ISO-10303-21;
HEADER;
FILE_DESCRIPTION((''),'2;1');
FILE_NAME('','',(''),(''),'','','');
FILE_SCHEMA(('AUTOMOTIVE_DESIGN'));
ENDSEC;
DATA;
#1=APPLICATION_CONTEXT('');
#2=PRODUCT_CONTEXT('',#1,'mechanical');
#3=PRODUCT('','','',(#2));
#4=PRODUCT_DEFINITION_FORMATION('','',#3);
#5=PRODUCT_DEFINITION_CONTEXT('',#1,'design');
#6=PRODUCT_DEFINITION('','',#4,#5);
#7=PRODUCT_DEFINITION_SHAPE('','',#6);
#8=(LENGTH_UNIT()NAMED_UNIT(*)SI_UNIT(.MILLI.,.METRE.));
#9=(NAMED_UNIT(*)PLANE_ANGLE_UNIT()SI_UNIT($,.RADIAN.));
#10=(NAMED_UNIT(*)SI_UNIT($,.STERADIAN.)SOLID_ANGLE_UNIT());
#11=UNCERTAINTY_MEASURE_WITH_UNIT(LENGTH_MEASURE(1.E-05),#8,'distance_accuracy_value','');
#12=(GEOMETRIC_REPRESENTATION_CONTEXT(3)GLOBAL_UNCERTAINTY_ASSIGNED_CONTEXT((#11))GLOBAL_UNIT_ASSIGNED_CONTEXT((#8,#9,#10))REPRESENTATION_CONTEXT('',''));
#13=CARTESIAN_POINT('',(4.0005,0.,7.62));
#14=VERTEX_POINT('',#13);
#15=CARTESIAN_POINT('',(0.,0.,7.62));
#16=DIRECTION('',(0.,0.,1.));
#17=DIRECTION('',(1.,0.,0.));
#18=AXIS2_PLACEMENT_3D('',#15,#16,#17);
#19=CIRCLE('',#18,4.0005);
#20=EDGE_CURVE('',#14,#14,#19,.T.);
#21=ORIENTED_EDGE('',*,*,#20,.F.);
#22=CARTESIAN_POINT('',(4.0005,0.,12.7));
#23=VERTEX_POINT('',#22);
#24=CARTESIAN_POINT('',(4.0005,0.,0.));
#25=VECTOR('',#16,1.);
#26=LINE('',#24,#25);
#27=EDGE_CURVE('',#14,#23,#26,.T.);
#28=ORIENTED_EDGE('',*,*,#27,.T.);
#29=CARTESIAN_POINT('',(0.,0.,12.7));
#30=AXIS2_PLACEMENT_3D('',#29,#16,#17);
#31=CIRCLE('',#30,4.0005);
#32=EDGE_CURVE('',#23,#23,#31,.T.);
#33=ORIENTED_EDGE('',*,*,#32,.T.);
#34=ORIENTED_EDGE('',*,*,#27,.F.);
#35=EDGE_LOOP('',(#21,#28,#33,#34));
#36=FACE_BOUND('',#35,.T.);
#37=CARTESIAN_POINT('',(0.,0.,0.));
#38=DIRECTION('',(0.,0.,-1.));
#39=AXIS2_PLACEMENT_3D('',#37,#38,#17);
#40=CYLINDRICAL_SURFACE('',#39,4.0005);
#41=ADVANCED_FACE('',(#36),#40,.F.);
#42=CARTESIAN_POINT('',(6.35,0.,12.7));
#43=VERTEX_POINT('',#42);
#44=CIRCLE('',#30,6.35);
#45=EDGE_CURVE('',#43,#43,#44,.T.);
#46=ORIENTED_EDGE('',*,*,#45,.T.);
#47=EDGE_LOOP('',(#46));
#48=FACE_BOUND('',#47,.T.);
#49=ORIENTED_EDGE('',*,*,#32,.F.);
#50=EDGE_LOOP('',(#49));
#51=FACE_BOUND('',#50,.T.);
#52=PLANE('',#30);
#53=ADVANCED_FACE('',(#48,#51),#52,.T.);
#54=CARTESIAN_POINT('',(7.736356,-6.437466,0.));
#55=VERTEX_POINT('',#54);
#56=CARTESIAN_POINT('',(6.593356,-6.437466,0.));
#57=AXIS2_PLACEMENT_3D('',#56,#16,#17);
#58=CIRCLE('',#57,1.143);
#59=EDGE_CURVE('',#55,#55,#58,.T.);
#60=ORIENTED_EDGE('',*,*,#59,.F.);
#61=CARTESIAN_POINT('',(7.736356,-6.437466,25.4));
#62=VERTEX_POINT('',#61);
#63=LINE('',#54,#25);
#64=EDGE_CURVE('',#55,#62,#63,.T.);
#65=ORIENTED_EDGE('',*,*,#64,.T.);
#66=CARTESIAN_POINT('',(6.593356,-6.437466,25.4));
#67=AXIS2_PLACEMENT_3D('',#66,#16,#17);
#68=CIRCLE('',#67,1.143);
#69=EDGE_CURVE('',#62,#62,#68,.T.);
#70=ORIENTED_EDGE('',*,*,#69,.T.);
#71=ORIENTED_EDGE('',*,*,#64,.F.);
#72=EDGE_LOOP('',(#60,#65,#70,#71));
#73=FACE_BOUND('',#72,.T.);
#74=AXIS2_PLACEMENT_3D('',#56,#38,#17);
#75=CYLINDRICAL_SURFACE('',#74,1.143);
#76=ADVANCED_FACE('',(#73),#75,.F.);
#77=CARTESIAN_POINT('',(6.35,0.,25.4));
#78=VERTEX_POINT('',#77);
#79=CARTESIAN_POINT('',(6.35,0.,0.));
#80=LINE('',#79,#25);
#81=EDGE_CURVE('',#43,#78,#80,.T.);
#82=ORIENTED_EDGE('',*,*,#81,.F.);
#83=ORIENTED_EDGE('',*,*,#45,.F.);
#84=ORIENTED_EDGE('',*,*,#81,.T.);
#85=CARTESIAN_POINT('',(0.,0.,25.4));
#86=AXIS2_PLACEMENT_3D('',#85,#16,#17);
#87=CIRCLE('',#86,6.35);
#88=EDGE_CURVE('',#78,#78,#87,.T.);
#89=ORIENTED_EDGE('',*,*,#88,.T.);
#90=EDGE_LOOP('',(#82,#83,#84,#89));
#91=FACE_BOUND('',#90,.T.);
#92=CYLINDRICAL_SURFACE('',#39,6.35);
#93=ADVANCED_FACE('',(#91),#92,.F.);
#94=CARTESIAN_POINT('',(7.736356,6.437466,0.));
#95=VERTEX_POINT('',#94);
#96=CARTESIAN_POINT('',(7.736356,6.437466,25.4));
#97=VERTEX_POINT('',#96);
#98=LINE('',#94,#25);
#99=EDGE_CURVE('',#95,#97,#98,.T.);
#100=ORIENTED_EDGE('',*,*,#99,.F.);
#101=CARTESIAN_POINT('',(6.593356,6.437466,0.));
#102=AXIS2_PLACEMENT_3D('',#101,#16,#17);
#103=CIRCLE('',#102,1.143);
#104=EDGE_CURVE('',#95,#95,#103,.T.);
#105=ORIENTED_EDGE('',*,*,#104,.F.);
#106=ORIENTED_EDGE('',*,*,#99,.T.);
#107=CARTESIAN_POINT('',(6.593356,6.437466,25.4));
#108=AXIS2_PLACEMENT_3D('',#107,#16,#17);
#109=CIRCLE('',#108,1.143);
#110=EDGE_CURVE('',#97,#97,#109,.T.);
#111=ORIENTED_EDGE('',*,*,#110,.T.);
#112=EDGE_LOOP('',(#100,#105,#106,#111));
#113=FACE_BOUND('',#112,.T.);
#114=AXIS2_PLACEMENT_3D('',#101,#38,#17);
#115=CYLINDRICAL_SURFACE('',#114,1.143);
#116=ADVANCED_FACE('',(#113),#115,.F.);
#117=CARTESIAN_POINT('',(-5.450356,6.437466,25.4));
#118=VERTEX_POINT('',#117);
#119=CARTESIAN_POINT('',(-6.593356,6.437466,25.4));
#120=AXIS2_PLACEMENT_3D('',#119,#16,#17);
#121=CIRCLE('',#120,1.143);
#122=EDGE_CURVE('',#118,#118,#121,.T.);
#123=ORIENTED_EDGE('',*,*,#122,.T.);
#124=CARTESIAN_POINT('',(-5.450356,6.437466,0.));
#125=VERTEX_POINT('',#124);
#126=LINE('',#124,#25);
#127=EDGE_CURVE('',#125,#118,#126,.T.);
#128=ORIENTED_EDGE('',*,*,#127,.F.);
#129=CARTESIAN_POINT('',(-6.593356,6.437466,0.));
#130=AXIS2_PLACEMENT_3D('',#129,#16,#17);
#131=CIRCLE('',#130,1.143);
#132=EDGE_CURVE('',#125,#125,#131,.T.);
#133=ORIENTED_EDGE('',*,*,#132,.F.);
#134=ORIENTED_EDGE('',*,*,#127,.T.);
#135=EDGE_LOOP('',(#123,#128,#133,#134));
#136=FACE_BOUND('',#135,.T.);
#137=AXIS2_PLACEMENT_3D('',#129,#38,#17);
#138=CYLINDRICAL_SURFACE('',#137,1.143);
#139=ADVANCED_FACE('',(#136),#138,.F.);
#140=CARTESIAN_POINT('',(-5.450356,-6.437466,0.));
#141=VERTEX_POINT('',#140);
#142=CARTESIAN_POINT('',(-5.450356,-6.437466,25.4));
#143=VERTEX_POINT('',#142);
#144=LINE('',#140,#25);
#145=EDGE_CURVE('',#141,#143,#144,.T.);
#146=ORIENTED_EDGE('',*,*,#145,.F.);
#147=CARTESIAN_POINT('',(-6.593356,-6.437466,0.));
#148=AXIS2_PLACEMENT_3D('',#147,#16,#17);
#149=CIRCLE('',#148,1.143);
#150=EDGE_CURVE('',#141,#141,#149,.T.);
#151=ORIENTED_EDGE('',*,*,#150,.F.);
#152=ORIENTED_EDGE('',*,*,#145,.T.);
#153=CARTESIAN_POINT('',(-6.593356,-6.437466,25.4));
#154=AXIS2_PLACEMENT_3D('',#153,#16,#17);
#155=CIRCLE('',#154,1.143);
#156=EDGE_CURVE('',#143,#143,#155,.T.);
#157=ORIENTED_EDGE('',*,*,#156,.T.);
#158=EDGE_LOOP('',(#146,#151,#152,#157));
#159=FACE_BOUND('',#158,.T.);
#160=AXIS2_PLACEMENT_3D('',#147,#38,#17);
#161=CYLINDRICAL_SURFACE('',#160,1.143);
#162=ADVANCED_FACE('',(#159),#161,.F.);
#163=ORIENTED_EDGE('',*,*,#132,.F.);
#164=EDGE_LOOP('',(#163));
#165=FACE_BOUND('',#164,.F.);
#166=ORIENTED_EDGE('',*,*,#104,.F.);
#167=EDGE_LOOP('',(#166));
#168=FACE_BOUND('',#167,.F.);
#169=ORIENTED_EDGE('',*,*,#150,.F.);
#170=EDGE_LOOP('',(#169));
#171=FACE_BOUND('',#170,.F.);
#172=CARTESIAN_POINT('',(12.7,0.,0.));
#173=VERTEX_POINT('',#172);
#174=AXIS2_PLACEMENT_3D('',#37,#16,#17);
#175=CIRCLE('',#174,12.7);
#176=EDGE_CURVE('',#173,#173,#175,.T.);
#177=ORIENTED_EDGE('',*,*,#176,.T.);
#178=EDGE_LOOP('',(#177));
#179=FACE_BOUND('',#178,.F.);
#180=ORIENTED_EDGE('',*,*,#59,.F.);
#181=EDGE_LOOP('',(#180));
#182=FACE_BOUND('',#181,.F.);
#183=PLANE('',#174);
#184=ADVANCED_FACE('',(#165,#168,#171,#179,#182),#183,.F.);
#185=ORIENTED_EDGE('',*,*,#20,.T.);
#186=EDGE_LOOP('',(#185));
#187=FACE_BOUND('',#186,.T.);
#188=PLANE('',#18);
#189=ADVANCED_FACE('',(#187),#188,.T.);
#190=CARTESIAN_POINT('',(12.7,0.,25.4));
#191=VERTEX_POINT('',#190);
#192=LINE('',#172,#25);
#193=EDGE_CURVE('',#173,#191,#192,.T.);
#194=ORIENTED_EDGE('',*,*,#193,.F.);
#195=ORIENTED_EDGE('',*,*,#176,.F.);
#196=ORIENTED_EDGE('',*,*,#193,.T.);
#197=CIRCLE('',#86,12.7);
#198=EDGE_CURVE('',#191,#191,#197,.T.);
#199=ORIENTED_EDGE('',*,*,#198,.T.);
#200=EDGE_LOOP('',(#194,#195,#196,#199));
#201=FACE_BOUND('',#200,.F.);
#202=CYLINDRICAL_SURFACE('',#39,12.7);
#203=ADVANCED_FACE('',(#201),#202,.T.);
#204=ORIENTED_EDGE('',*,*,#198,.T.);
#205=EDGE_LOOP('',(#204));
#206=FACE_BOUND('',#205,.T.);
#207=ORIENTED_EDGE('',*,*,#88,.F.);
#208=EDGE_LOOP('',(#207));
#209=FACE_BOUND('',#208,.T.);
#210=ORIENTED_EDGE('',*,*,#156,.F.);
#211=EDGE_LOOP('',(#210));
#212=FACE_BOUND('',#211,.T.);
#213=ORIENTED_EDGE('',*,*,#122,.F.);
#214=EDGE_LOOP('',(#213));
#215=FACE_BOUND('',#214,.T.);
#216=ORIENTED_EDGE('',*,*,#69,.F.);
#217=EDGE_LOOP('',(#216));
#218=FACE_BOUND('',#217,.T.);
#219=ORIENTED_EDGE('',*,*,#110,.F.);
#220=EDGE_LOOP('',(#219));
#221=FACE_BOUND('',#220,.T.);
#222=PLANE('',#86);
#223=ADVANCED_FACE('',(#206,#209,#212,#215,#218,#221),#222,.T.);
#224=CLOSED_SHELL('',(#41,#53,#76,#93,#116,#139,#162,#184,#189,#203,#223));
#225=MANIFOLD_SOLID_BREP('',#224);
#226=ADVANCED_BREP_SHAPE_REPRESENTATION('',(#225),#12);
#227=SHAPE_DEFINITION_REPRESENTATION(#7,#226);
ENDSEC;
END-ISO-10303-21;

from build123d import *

# Parameters (mm, degrees)
F0_R     = 12.7
F0_R_2   = 1.143
F0_R_3   = 6.35
F1_DEPTH = 25.4
F0_R_4   = 4.0005
F2_DEPTH = 12.7
F3_DEPTH = 7.62


with BuildPart() as f1:
    # F0 (on Top) → F1 (new body)
    with BuildSketch(Plane.XY):
        Circle(F0_R)
        with Locations((-6.593356, -6.437466)):
            Circle(F0_R_2, mode=Mode.SUBTRACT)
        Circle(F0_R_3, mode=Mode.SUBTRACT)
        with Locations((6.593356, -6.437466)):
            Circle(F0_R_2, mode=Mode.SUBTRACT)
        with Locations((-6.593356, 6.437466)):
            Circle(F0_R_2, mode=Mode.SUBTRACT)
        with Locations((6.593356, 6.437466)):
            Circle(F0_R_2, mode=Mode.SUBTRACT)
    extrude(amount=F1_DEPTH)

    # F0 (on Top) → F2 (join)
    with BuildSketch(Plane.XY):
        Circle(F0_R_3)
        Circle(F0_R_4, mode=Mode.SUBTRACT)
    extrude(amount=F2_DEPTH)

    # F0 (on Top) → F3 (join)
    with BuildSketch(Plane.XY):
        Circle(F0_R_4)
    extrude(amount=F3_DEPTH)


solid = f1.part
